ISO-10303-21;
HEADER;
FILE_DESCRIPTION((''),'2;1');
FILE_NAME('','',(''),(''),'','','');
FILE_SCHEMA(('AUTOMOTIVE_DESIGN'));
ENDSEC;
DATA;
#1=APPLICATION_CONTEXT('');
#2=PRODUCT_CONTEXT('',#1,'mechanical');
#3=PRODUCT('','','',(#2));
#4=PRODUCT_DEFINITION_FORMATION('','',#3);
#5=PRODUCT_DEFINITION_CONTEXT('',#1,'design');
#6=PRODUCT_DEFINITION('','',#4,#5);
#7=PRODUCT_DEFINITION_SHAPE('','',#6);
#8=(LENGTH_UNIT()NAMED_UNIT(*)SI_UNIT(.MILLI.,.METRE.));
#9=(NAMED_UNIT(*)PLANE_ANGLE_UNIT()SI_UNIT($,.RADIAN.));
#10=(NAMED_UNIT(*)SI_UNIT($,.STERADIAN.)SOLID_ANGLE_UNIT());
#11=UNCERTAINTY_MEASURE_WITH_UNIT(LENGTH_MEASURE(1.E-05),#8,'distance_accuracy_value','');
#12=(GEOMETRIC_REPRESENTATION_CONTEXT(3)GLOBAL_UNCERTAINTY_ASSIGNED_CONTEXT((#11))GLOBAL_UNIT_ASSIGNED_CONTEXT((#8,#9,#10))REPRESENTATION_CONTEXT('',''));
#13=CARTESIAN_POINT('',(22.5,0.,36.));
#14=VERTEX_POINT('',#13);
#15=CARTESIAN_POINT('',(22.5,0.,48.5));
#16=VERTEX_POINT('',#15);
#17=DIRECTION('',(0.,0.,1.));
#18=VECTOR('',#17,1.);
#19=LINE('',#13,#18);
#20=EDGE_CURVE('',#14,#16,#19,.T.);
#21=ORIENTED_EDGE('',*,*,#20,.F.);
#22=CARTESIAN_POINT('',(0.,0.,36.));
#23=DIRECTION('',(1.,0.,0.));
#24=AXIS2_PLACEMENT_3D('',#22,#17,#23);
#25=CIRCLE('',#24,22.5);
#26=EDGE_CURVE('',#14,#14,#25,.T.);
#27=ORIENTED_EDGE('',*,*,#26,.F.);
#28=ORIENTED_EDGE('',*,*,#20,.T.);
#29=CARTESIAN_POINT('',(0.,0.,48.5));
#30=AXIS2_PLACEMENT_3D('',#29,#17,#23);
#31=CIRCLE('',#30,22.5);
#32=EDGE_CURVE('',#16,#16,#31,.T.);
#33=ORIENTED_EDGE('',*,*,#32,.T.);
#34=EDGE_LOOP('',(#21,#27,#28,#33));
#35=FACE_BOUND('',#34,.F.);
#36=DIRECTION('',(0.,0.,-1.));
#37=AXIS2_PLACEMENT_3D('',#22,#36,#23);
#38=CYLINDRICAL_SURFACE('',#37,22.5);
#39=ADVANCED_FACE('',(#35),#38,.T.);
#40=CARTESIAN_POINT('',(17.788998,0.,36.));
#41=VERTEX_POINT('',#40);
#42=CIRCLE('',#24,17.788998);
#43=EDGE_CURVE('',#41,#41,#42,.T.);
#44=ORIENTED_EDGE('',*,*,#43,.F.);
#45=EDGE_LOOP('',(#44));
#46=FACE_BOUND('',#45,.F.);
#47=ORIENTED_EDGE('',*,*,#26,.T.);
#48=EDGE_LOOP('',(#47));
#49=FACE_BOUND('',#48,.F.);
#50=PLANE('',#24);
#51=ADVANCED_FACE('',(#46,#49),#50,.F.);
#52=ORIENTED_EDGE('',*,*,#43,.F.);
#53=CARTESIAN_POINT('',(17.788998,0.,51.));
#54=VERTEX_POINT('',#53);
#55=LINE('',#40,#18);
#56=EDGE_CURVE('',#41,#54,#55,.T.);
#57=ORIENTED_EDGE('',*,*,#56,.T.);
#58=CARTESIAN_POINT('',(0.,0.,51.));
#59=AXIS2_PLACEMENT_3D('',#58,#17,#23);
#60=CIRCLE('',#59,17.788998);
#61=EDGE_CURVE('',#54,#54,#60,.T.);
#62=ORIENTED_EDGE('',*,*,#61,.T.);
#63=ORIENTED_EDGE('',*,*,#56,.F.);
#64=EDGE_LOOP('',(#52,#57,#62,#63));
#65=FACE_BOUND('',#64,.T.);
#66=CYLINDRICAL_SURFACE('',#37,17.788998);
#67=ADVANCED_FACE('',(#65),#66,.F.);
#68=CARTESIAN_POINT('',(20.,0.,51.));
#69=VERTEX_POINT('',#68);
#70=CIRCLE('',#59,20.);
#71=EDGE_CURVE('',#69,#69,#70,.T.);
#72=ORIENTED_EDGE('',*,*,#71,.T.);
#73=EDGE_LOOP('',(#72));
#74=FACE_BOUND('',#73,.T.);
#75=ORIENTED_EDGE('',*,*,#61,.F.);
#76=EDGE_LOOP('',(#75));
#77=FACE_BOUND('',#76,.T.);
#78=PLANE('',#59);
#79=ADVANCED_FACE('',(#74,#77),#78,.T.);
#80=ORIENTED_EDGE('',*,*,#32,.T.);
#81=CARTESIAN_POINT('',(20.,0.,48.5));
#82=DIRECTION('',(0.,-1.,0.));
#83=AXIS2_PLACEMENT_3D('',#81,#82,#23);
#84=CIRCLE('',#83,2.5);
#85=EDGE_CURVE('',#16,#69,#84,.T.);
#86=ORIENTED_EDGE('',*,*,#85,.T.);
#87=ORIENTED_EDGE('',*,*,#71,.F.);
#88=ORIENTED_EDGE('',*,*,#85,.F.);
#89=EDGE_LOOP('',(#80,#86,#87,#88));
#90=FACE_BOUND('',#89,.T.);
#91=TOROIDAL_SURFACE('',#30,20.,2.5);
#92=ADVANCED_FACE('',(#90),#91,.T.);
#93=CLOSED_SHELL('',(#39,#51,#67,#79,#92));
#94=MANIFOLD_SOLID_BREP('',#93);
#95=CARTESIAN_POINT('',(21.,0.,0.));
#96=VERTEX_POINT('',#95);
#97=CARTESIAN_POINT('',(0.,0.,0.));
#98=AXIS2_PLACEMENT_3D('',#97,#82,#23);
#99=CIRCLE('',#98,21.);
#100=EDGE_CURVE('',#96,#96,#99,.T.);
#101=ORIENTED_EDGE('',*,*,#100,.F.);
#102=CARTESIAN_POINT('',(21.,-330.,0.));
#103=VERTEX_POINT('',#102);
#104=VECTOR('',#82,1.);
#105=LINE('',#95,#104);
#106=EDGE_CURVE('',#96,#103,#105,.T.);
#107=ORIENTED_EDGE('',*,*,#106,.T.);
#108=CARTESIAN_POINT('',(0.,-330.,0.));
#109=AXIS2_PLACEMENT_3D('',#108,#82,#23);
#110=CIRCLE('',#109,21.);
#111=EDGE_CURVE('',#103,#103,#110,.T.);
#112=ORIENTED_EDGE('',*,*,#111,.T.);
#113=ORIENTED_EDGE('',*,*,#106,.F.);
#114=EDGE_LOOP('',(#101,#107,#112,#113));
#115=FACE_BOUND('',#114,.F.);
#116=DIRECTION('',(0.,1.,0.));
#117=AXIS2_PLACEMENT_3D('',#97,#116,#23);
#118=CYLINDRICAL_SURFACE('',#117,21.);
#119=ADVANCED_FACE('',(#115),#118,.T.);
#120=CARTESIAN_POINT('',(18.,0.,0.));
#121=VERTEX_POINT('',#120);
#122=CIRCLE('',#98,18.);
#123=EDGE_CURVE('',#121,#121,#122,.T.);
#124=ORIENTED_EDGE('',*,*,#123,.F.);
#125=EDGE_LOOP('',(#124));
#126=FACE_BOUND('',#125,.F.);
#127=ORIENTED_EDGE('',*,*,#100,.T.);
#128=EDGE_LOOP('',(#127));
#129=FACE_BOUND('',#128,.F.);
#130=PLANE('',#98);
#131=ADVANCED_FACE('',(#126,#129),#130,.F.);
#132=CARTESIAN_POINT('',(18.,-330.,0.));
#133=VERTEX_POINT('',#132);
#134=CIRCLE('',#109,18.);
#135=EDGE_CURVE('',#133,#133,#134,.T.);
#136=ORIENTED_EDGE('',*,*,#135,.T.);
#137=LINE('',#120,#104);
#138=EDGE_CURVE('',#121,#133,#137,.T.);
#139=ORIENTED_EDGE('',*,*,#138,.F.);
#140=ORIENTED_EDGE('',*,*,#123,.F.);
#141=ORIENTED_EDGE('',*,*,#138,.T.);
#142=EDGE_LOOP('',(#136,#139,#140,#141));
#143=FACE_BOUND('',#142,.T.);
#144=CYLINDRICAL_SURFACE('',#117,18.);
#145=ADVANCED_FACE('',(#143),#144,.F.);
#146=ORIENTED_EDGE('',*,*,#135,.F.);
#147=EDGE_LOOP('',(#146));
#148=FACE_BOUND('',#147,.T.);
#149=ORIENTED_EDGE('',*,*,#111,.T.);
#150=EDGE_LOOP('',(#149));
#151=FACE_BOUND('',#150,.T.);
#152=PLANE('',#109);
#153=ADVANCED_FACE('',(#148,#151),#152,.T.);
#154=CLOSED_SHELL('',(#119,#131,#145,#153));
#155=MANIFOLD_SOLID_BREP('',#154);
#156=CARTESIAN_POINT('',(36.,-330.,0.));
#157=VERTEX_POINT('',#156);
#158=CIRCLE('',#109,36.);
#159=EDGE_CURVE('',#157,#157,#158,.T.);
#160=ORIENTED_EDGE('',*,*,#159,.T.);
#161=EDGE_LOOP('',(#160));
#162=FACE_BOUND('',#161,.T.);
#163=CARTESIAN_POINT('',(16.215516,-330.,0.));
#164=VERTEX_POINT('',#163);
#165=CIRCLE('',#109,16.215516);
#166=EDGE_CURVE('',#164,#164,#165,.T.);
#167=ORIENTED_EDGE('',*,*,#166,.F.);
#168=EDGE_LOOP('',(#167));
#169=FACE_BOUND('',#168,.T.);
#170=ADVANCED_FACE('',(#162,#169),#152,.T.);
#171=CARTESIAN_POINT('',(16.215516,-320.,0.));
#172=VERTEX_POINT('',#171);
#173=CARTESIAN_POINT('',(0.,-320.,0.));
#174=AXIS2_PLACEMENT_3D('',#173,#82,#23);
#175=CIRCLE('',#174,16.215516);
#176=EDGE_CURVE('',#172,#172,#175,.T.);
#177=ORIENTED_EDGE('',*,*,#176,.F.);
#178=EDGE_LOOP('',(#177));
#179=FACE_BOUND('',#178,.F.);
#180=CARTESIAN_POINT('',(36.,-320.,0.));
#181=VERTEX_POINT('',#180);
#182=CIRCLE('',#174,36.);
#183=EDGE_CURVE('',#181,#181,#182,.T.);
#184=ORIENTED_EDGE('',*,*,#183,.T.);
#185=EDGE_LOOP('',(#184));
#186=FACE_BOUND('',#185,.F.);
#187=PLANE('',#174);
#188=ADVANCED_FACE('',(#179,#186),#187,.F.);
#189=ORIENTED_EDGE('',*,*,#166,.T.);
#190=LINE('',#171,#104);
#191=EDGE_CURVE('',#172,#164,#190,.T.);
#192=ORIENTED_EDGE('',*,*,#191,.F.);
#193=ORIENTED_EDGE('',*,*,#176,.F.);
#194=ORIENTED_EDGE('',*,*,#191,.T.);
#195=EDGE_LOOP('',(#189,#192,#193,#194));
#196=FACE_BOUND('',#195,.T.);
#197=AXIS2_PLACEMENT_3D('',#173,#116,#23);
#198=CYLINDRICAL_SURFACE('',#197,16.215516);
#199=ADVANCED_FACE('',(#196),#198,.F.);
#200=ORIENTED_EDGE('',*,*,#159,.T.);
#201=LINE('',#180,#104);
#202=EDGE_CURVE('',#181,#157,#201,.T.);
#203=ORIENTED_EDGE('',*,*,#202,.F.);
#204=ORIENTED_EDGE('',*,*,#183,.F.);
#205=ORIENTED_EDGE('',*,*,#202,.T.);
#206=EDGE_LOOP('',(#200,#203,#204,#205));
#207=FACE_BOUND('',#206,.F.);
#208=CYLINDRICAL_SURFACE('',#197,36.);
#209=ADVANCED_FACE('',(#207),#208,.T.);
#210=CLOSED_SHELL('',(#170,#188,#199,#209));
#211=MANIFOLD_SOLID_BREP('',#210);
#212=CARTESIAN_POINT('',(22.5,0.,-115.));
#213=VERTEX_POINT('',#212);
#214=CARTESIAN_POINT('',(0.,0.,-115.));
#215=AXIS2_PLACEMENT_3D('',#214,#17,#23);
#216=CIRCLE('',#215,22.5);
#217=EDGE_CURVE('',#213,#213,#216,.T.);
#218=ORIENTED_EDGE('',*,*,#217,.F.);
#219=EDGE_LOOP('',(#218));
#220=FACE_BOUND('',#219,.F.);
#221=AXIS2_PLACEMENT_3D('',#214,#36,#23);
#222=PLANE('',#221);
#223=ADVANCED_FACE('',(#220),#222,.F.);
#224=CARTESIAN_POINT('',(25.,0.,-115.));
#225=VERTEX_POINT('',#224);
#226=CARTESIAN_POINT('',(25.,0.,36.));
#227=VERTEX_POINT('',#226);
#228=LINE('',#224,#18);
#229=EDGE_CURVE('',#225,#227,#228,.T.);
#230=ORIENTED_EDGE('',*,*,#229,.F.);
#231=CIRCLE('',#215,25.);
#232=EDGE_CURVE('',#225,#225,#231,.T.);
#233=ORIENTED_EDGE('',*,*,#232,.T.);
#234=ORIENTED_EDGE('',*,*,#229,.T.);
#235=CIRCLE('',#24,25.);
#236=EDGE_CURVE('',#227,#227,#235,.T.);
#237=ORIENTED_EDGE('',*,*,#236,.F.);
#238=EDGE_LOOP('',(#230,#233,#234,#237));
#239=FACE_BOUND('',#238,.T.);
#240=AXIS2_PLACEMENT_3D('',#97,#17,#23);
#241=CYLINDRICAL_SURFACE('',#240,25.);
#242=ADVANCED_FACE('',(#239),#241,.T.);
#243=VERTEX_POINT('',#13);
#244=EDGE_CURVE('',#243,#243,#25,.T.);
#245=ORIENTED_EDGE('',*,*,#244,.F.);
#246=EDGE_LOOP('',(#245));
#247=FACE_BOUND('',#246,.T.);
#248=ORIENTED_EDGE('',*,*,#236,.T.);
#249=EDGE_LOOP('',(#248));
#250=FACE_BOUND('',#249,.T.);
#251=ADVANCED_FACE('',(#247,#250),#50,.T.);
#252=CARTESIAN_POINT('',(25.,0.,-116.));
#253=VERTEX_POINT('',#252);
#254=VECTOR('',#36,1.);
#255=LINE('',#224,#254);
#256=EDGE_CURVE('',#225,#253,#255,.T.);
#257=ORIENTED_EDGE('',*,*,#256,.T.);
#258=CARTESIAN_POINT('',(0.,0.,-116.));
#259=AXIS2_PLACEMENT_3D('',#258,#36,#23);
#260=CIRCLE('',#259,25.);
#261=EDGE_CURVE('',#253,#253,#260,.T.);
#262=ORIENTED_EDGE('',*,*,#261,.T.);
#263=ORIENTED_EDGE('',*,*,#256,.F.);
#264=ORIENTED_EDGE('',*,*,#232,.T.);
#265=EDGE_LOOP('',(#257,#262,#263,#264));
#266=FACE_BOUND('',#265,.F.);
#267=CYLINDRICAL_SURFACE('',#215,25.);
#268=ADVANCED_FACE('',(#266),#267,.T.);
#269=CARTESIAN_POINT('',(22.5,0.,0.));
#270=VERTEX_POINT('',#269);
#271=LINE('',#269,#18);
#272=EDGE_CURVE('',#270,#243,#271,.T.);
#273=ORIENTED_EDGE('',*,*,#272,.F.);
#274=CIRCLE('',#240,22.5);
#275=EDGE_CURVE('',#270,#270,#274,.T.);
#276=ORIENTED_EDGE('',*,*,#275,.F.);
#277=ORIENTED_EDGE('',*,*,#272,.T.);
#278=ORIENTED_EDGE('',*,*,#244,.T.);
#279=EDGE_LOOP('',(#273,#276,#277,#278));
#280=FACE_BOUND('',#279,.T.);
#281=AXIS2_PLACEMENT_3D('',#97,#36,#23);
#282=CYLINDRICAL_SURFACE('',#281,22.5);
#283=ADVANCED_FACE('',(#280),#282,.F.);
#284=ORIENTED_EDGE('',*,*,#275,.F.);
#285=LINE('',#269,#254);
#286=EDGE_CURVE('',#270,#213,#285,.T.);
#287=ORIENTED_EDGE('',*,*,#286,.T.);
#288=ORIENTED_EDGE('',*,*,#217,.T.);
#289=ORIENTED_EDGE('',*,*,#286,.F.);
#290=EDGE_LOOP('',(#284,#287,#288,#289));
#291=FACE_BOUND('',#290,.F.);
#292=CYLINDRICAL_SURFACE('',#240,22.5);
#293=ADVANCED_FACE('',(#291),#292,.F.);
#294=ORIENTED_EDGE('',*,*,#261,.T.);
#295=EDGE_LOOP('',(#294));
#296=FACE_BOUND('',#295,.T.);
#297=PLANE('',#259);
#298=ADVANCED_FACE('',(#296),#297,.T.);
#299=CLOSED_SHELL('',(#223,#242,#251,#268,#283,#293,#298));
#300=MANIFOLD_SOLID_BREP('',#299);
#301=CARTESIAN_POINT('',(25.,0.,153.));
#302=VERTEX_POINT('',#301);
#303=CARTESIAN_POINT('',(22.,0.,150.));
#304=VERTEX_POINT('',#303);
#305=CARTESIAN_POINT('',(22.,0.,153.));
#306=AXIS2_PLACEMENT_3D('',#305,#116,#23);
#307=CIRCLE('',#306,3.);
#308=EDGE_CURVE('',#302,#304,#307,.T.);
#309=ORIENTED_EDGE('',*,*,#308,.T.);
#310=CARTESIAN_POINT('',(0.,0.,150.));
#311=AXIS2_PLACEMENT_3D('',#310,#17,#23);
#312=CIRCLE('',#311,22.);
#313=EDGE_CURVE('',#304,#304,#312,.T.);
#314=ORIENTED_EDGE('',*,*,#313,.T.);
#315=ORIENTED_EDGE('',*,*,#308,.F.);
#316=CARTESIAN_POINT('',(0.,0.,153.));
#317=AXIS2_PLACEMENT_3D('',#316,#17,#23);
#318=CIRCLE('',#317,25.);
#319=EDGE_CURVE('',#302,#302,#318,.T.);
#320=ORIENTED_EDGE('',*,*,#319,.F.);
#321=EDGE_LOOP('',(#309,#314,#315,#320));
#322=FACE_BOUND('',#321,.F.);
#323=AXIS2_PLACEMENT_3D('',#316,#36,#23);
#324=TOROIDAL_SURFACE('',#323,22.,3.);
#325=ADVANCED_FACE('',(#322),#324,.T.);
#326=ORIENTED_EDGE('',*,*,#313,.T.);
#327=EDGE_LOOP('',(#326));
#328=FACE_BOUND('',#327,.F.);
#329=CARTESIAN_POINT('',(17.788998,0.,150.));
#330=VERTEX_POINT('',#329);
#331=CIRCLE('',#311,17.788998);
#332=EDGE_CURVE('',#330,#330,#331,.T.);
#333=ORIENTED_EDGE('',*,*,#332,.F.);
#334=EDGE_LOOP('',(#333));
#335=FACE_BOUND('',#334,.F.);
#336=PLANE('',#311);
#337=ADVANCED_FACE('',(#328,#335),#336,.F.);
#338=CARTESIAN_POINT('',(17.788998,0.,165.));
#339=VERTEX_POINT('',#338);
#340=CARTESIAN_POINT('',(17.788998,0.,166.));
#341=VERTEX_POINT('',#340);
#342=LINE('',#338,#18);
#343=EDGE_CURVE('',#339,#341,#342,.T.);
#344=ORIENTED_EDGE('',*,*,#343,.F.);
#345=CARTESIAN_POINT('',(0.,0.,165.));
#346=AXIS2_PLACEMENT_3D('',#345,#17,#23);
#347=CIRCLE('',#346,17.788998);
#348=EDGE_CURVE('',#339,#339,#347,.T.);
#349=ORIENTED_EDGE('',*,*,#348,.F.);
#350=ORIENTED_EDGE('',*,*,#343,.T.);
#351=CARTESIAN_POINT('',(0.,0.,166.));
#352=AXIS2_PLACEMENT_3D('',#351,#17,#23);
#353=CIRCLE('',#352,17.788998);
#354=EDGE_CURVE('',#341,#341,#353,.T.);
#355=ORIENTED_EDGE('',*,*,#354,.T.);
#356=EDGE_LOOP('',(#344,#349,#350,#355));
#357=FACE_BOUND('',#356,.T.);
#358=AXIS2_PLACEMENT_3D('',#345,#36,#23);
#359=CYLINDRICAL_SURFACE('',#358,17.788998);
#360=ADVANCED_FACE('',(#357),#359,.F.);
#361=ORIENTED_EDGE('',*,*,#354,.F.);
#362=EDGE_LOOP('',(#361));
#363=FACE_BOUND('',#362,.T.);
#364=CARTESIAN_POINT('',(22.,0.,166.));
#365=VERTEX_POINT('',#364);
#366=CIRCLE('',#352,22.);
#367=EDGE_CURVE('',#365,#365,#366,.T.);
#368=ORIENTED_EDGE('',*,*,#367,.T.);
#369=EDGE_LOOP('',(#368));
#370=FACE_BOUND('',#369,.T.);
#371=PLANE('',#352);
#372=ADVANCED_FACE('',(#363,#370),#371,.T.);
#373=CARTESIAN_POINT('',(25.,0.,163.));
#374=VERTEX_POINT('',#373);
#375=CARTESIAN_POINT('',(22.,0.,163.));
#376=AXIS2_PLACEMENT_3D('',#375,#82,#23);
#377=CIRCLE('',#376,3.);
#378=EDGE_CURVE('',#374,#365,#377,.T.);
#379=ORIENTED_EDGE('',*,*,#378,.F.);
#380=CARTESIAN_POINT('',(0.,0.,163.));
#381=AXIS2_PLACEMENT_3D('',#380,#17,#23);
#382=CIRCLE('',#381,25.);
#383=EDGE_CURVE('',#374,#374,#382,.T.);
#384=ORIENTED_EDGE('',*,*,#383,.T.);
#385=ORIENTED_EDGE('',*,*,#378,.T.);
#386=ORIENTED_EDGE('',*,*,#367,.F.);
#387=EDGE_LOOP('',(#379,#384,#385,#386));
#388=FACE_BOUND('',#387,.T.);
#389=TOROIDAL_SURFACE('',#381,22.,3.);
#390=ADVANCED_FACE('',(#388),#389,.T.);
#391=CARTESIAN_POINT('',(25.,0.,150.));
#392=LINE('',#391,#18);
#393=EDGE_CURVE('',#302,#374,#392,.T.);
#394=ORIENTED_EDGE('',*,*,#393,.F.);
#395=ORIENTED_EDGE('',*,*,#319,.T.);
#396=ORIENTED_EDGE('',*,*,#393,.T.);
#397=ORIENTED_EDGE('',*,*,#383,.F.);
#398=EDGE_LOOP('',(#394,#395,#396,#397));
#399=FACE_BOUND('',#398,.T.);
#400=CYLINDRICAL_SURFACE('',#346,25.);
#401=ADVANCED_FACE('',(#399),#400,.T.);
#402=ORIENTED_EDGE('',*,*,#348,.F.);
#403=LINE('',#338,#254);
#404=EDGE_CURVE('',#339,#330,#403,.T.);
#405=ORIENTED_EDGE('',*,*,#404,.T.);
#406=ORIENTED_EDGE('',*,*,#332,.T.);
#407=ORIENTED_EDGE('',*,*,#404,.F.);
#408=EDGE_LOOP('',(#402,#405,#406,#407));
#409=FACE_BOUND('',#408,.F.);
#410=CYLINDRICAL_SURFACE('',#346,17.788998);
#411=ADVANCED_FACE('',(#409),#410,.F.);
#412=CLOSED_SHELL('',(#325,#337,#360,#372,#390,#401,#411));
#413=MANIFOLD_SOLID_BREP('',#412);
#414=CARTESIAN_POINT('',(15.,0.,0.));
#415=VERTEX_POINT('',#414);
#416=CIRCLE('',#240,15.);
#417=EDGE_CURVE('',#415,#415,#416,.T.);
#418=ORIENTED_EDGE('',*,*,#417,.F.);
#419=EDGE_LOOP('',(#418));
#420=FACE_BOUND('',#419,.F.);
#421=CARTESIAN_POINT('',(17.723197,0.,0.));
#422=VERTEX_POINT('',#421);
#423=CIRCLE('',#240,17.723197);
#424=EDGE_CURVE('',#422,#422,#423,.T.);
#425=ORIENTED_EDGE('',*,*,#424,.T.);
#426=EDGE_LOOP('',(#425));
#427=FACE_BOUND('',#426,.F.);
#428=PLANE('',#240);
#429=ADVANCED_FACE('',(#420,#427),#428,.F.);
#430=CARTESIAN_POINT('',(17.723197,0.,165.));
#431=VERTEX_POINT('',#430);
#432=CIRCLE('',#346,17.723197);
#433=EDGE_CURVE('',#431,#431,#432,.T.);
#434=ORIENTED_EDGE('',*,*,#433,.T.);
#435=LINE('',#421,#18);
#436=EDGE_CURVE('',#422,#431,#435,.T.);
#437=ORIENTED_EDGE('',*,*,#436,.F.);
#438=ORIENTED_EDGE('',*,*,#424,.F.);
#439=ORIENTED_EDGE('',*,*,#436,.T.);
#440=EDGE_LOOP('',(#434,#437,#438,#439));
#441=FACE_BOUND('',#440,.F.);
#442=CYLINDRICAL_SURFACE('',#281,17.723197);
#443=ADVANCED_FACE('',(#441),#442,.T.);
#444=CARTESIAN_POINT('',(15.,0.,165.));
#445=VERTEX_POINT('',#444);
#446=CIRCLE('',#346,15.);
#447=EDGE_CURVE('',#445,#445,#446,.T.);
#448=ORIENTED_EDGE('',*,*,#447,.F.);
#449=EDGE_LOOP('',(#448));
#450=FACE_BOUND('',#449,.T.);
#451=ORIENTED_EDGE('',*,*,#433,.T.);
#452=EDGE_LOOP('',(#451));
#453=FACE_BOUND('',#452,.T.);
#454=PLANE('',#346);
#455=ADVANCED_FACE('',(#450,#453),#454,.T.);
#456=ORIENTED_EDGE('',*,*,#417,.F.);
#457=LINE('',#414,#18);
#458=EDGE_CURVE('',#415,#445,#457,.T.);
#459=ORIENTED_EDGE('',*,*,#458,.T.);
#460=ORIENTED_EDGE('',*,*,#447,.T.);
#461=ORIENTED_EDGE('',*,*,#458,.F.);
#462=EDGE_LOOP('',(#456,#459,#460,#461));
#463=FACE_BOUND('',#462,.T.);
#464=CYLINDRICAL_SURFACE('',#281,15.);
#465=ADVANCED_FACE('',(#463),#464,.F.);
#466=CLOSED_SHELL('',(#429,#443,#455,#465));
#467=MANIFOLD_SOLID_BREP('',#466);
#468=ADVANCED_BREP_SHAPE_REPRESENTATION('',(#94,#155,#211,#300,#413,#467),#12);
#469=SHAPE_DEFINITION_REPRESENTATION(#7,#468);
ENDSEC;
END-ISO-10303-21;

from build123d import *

# Parameters (mm, degrees)
F0_R           = 21
F0_R_2         = 18
F1_DEPTH       = 330
F2_R           = 25
F2_R_2         = 22.5
F3_DEPTH       = 36
F3_DEPTH_BACK  = 115
F4_R           = 22.5
F4_R_2         = 17.7889981526
F5_DEPTH       = 15
F6_R           = 2.5
F7_R           = 25
F8_DEPTH       = 1
F9_R           = 17.7231972021
F9_R_2         = 15
F10_DEPTH      = 165
F11_R          = 25
F11_R_2        = 17.7889981526
F12_DEPTH      = 1
F12_DEPTH_BACK = 15
F13_R          = 3
F15_R          = 36
F15_R_2        = 16.2155162539
F16_DEPTH      = 10


with BuildPart() as f1:
    # F0 (on Front) → F1 (new body)
    with BuildSketch(Plane.XZ):
        Circle(F0_R)
        Circle(F0_R_2, mode=Mode.SUBTRACT)
    extrude(amount=F1_DEPTH)


with BuildPart() as f3:
    # F2 (on Top) → F3 (new body, two sides)
    with BuildSketch(Plane.XY) as f3_sk:
        Circle(F2_R)
        Circle(F2_R_2, mode=Mode.SUBTRACT)
    extrude(amount=F3_DEPTH)
    extrude(f3_sk.sketch, amount=-F3_DEPTH_BACK)

    # F7 (on face) → F8 (join)
    with BuildSketch(Plane(origin=(0, 0, -115), x_dir=(1, 0, 0), z_dir=(0, 0, -1))):
        Circle(F7_R)
    extrude(amount=F8_DEPTH)


with BuildPart() as f5:
    # F4 (on face) → F5 (new body)
    with BuildSketch(Plane.XY.offset(36)):
        Circle(F4_R)
        Circle(F4_R_2, mode=Mode.SUBTRACT)
    extrude(amount=F5_DEPTH)

    # F6
    f6_edges = [f5.edges().sort_by_distance(p)[0] for p in [
        (-22.5, 0, 51),
    ]]
    fillet(f6_edges, radius=F6_R)


with BuildPart() as f10:
    # F9 (on Top) → F10 (new body)
    with BuildSketch(Plane.XY):
        Circle(F9_R)
        Circle(F9_R_2, mode=Mode.SUBTRACT)
    extrude(amount=F10_DEPTH)


with BuildPart() as f12:
    # F11 (on face) → F12 (new body, two sides)
    with BuildSketch(Plane.XY.offset(165)) as f12_sk:
        Circle(F11_R)
        Circle(F11_R_2, mode=Mode.SUBTRACT)
    extrude(amount=F12_DEPTH)
    extrude(f12_sk.sketch, amount=-F12_DEPTH_BACK)

    # F13
    f13_edges = [f12.edges().sort_by_distance(p)[0] for p in [
        (-25, 0, 166),
        (-25, 0, 150),
    ]]
    fillet(f13_edges, radius=F13_R)


with BuildPart() as f16:
    # F15 (on offset) → F16 (new body)
    with BuildSketch(Plane.XZ.offset(320)):
        Circle(F15_R)
        Circle(F15_R_2, mode=Mode.SUBTRACT)
    extrude(amount=F16_DEPTH)


solid = Compound([f1.part, f3.part, f5.part, f10.part, f12.part, f16.part])
